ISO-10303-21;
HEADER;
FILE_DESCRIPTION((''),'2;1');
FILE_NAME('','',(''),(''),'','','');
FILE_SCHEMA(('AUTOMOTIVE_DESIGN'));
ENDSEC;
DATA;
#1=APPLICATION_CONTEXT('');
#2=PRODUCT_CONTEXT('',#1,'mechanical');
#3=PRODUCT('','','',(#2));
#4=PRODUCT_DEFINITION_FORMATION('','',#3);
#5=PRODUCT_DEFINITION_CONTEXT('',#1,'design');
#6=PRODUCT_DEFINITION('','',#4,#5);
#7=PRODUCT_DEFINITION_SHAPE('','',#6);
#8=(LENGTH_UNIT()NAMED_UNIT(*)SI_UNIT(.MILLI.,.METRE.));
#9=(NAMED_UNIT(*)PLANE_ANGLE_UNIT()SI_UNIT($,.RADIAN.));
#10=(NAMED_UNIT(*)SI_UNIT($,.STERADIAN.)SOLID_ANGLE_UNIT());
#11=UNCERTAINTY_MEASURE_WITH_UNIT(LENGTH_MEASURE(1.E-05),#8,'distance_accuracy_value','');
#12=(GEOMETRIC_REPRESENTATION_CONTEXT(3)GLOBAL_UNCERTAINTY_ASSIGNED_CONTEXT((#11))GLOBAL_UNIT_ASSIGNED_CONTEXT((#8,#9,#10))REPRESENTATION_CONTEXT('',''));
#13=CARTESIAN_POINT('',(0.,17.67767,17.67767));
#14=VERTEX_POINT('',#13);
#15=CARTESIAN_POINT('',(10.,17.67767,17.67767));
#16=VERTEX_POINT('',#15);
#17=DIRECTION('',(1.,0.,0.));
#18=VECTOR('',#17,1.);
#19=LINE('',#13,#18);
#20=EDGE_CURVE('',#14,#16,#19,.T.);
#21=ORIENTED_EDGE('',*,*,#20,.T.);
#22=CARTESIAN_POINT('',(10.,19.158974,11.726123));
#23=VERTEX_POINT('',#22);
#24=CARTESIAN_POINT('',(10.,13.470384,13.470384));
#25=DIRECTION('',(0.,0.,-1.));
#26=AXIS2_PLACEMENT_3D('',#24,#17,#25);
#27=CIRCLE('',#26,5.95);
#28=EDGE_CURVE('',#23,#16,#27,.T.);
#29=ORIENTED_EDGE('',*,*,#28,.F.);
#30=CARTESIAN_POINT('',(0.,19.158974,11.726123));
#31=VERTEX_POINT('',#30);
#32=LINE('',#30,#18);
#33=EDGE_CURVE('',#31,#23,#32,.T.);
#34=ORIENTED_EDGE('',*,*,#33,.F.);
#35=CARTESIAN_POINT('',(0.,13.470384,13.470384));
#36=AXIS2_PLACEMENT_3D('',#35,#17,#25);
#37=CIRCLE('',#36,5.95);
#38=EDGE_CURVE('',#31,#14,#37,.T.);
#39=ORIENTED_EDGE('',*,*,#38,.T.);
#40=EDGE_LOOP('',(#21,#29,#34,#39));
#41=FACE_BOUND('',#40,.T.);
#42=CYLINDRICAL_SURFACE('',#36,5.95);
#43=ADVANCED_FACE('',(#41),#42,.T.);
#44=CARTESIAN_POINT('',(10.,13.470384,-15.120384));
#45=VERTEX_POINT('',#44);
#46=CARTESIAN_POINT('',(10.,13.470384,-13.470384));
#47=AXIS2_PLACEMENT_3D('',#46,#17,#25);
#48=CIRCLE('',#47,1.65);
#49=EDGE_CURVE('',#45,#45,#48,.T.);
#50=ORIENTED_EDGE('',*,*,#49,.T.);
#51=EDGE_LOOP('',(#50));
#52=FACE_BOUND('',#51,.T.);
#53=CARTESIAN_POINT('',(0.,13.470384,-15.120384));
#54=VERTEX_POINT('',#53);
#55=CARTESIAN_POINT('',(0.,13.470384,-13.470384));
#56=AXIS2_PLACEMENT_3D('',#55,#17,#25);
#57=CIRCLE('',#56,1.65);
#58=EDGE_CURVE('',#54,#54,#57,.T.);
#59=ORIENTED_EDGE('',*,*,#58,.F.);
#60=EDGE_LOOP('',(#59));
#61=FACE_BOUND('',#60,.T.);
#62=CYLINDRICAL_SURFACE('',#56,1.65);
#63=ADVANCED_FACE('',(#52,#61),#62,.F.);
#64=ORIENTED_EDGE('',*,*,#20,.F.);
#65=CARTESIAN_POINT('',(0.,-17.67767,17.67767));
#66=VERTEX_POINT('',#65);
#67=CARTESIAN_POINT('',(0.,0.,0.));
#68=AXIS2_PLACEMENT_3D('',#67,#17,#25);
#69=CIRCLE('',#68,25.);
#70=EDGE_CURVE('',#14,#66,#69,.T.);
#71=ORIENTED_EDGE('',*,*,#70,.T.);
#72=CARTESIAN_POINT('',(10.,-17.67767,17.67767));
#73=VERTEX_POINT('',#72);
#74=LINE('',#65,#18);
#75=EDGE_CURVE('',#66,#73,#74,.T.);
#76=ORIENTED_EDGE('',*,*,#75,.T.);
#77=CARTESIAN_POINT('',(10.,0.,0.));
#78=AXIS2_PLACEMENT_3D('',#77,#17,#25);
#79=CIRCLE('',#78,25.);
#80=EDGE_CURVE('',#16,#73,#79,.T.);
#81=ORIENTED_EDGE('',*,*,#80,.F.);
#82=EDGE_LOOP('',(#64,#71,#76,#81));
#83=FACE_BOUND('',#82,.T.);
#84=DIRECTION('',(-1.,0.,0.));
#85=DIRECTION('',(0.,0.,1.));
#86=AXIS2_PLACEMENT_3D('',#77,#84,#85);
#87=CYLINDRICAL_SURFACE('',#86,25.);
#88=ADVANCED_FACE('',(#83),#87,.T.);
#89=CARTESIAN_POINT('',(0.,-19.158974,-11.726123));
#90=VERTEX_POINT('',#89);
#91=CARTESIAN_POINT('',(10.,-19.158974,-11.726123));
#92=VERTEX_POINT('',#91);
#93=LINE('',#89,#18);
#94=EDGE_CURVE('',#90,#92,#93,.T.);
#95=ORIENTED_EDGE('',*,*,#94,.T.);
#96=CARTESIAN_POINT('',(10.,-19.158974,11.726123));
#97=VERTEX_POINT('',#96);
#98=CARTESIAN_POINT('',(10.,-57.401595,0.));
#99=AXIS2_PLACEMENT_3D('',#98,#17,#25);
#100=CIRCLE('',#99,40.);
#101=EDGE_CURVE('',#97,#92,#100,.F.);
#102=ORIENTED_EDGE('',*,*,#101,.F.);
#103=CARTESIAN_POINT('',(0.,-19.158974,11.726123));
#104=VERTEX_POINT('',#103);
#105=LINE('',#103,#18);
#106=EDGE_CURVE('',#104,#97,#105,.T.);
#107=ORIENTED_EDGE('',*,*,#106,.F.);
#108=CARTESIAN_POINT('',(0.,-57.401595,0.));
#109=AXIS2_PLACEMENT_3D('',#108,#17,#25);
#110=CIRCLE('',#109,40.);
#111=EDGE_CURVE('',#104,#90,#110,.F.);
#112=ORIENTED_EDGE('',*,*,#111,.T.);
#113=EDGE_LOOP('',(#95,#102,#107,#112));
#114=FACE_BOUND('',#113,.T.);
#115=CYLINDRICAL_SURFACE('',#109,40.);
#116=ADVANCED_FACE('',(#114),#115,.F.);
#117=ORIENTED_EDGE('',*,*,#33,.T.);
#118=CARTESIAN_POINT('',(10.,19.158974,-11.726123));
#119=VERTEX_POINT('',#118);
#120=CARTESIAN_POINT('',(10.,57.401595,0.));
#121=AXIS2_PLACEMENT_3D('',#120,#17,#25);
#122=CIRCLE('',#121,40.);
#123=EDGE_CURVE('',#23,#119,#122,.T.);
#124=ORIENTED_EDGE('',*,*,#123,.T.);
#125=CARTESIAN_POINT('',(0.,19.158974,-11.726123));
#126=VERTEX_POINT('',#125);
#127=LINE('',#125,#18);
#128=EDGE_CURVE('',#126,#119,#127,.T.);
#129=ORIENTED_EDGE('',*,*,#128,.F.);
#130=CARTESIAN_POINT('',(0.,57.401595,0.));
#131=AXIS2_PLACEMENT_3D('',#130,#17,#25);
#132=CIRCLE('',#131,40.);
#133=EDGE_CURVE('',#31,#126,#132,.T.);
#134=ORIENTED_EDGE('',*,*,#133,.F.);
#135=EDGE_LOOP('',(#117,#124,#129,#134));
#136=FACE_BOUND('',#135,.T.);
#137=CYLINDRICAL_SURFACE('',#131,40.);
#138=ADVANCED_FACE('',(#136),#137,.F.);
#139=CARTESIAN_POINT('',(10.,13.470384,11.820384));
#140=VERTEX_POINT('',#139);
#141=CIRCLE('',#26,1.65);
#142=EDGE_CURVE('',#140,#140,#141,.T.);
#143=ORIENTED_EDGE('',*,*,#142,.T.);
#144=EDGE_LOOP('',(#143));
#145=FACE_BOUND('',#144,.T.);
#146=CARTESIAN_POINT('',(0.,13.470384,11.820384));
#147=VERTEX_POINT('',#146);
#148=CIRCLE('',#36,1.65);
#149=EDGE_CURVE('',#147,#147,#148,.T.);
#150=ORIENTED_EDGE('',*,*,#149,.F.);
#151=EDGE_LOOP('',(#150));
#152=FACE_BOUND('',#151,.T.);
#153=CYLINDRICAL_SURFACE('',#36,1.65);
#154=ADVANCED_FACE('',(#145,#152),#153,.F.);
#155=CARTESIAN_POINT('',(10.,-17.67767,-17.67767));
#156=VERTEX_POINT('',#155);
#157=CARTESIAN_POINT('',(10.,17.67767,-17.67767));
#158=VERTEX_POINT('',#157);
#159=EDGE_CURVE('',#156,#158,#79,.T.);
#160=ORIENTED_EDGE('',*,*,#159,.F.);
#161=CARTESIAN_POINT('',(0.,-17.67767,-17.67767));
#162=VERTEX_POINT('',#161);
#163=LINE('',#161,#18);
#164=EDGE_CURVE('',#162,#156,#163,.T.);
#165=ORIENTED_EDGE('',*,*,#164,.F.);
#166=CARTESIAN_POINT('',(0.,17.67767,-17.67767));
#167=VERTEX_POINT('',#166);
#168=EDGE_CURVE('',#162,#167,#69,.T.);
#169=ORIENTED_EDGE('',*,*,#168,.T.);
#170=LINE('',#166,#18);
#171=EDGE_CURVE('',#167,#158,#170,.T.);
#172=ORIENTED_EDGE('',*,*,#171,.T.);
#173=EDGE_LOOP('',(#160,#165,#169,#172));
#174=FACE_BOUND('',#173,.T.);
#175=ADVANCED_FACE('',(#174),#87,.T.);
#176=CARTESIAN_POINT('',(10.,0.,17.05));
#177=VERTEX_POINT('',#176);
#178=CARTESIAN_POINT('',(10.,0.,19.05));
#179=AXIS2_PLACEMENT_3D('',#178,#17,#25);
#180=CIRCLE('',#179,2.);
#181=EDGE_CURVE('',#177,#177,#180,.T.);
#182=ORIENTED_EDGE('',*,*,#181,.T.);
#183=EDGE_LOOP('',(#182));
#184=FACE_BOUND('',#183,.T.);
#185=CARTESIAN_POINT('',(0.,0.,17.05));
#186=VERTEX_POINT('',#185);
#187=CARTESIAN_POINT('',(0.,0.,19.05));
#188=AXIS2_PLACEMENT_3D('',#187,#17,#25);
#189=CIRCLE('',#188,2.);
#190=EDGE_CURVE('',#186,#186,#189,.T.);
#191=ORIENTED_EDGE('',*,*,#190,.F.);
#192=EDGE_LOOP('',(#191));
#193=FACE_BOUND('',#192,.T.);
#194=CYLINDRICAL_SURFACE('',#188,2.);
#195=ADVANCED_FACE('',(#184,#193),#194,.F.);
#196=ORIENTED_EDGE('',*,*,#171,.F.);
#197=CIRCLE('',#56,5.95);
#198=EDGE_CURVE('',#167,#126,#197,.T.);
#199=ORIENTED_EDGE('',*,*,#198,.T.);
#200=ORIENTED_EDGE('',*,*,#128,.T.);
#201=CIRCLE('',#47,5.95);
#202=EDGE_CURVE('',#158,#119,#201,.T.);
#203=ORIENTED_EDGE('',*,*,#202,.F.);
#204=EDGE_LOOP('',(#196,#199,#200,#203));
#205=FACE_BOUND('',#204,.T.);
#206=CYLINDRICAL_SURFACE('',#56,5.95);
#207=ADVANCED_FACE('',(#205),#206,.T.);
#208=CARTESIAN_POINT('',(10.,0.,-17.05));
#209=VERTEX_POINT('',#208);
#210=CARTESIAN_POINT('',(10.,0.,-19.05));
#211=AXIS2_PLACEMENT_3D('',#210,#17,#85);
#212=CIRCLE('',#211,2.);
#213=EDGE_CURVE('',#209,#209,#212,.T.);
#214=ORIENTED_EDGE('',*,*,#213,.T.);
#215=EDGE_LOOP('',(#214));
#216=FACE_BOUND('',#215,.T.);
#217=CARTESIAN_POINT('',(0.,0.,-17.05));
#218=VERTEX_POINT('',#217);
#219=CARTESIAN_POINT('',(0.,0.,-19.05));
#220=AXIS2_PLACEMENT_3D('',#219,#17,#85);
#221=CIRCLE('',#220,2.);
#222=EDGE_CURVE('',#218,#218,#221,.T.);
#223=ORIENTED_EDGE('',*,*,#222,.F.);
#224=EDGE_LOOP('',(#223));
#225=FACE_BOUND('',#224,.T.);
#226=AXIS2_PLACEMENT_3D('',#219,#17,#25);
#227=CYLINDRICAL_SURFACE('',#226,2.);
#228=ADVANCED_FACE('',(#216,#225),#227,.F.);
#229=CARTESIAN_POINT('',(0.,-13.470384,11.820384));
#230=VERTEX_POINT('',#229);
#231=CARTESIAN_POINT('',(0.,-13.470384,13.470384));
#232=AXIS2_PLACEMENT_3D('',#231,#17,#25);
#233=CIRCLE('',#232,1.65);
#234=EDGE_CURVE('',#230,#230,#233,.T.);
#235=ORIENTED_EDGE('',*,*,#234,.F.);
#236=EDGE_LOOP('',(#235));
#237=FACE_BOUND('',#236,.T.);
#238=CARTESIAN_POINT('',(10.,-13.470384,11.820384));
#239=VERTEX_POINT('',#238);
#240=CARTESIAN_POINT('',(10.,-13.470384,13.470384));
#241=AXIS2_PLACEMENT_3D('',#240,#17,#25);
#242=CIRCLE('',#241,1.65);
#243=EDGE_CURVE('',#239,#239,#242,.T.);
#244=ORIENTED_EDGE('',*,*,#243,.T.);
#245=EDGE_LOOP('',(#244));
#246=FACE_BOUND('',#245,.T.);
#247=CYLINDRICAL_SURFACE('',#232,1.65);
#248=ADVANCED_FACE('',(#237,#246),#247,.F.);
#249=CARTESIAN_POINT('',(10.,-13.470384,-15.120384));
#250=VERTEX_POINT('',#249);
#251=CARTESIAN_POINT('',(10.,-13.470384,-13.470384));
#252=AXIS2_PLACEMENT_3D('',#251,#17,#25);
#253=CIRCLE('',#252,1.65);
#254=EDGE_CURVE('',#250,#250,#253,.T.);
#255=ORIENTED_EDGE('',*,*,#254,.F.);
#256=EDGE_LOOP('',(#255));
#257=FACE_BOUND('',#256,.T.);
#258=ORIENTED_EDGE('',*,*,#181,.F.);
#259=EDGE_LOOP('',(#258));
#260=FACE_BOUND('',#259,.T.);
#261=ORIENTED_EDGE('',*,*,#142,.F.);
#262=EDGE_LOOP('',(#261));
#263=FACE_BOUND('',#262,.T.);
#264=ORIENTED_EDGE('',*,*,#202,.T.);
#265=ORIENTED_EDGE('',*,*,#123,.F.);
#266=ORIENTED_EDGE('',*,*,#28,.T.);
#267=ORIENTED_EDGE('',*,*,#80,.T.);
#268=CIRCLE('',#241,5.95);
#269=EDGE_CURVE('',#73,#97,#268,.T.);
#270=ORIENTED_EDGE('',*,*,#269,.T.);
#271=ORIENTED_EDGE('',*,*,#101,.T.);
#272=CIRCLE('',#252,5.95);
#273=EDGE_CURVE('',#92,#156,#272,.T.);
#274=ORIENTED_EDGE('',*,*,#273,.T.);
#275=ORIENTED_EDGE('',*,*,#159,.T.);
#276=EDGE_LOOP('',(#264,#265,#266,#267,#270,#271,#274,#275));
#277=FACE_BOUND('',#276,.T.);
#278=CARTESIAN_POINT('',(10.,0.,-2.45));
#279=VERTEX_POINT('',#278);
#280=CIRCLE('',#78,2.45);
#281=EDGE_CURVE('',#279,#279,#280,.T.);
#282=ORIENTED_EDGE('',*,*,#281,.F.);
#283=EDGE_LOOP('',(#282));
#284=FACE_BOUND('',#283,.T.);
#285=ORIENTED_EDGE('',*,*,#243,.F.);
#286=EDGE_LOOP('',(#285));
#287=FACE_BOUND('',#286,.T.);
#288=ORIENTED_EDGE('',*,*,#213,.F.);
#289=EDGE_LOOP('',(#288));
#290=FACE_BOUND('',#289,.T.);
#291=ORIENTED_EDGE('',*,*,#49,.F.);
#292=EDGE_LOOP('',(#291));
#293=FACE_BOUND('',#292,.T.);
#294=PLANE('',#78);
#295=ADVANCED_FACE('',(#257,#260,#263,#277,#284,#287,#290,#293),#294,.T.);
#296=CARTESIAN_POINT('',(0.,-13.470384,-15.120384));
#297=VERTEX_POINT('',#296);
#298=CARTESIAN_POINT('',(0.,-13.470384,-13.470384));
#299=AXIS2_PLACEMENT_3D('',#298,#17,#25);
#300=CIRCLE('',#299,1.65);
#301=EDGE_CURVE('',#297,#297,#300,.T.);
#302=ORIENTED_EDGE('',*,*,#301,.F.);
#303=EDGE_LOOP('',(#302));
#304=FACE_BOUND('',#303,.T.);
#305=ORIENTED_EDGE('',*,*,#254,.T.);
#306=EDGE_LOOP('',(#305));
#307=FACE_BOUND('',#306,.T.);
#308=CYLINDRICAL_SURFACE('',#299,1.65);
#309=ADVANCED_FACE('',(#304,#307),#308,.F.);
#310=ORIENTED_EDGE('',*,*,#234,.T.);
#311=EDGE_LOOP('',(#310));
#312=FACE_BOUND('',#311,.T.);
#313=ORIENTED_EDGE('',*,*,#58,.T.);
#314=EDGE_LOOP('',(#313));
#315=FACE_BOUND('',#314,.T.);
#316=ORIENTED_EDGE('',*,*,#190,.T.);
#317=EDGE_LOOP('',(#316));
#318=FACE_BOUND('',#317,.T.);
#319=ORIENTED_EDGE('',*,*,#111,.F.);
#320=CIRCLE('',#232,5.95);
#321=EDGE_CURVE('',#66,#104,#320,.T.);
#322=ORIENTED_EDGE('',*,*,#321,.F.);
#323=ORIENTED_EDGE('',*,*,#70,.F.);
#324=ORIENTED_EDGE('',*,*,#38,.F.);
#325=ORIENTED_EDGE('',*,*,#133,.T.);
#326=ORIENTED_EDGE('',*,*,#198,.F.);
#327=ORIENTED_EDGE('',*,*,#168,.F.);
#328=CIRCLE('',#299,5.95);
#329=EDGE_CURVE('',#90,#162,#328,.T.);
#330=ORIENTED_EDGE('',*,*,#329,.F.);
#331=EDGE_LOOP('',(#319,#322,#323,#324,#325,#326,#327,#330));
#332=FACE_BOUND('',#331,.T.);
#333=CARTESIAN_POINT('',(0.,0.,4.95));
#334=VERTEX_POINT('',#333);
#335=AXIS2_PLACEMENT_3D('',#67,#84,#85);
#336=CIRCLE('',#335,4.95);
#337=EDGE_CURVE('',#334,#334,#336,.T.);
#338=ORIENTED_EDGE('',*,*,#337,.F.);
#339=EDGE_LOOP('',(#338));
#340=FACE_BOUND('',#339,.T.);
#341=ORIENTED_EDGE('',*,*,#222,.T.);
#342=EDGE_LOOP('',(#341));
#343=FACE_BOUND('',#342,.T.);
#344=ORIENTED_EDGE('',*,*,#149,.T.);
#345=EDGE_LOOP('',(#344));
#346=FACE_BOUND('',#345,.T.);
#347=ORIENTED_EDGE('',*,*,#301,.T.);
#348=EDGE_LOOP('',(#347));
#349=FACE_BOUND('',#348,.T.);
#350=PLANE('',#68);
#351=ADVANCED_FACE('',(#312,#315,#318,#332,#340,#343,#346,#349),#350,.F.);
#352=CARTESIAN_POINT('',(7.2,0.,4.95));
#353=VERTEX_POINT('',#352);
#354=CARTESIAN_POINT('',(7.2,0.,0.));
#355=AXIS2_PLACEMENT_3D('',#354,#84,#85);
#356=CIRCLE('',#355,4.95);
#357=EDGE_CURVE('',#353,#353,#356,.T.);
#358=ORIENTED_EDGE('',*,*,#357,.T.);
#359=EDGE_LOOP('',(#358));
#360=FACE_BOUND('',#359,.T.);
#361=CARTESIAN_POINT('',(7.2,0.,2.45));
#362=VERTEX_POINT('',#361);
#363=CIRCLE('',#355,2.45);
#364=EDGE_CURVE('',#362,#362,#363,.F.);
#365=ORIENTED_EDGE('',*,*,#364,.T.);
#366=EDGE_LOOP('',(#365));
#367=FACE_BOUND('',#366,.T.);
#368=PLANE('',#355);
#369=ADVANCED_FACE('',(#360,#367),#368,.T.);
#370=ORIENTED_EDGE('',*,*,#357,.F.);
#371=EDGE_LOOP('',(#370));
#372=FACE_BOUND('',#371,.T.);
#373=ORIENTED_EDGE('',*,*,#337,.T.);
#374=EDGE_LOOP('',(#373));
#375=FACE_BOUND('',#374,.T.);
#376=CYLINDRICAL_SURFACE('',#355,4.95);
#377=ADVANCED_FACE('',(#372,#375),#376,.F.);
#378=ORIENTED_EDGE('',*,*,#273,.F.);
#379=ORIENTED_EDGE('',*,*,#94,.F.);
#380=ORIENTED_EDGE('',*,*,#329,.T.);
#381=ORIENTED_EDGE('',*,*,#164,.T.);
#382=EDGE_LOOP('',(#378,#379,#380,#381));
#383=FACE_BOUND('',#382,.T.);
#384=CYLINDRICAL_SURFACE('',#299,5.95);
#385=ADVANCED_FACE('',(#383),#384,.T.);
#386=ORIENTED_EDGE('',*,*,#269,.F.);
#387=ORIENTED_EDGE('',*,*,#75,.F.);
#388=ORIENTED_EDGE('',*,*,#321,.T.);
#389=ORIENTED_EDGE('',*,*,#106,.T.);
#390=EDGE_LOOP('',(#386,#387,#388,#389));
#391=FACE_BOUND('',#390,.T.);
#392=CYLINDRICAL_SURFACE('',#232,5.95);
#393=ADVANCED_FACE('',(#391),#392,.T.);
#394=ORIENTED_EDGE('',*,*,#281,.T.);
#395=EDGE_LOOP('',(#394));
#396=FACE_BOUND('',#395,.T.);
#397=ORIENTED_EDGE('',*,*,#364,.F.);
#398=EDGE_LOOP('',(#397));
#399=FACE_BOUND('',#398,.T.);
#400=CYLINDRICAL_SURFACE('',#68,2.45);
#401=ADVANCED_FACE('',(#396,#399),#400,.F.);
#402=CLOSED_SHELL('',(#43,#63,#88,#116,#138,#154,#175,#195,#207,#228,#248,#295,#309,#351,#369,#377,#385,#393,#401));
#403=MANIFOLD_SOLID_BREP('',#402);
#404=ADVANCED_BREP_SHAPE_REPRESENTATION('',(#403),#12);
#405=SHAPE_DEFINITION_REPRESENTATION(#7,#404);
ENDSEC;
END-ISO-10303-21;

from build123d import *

# Parameters (mm, degrees)
SKETCH_1_R          = 25
EXTRUDE_1_DEPTH     = 10
SKETCH_3_R          = 2.45
CUT_EXTRUDE_1_DEPTH = 37.742346142
SKETCH_5_R          = 4.95
CUT_EXTRUDE_2_DEPTH = 7.2
SKETCH_6_R          = 2
CUT_EXTRUDE_3_DEPTH = 37.742346142
SKETCH_7_R          = 1.65
CUT_EXTRUDE_4_DEPTH = 37.742346142
CUT_EXTRUDE_5_DEPTH = 37.742346142


with BuildPart() as part:
    # ｽｹｯﾁ1 → ﾎﾞｽ - 押し出し1 (new body)
    with BuildSketch(Plane(origin=(0, 0, 0), x_dir=(0, 0, -1), z_dir=(1, 0, 0))):
        Circle(SKETCH_1_R)
    extrude(amount=EXTRUDE_1_DEPTH)

    # ｽｹｯﾁ3 → ｶｯﾄ - 押し出し1 (cut, through all)
    with BuildSketch(Plane(origin=(10, 0, 0), x_dir=(0, 0, -1), z_dir=(1, 0, 0))):
        Circle(SKETCH_3_R)
    extrude(amount=-CUT_EXTRUDE_1_DEPTH, mode=Mode.SUBTRACT)

    # ｽｹｯﾁ5 → ｶｯﾄ - 押し出し2 (cut)
    with BuildSketch(Plane.ZY):
        Circle(SKETCH_5_R)
    extrude(amount=-CUT_EXTRUDE_2_DEPTH, mode=Mode.SUBTRACT)

    # ｽｹｯﾁ6 → ｶｯﾄ - 押し出し3 (cut, through all)
    with BuildSketch(Plane(origin=(10, 0, 0), x_dir=(0, 0, -1), z_dir=(1, 0, 0))):
        with Locations((-19.05, 0)):
            Circle(SKETCH_6_R)
        with Locations(Location((19.05, 0, 0), (0, 0, 180))):
            Circle(SKETCH_6_R)
    extrude(amount=-CUT_EXTRUDE_3_DEPTH, mode=Mode.SUBTRACT)

    # ｽｹｯﾁ7 → ｶｯﾄ - 押し出し4 (cut, through all)
    with BuildSketch(Plane(origin=(10, 0, 0), x_dir=(0, 0, -1), z_dir=(1, 0, 0))):
        with Locations((13.470384182, 13.470384182)):
            Circle(SKETCH_7_R)
        with Locations((13.470384182, -13.470384182)):
            Circle(SKETCH_7_R)
        with Locations((-13.470384182, -13.470384182)):
            Circle(SKETCH_7_R)
        with Locations((-13.470384182, 13.470384182)):
            Circle(SKETCH_7_R)
    extrude(amount=-CUT_EXTRUDE_4_DEPTH, mode=Mode.SUBTRACT)

    # ｽｹｯﾁ8 → ｶｯﾄ - 押し出し5 (cut, through all)
    with BuildSketch(Plane(origin=(10, 0, 0), x_dir=(0, 0, -1), z_dir=(1, 0, 0))):
        with BuildLine():
            ThreePointArc((-17.67766953, 17.67766953), (-14.907460792, 19.244231323), (-11.726124041, 19.158974214))
            ThreePointArc((-11.726124041, 19.158974214), (-3.5e-08, 17.401594613), (11.726123974, 19.158974194))
            ThreePointArc((11.726123974, 19.158974194), (14.907460759, 19.244231332), (17.67766953, 17.67766953))
            ThreePointArc((17.67766953, 17.67766953), (0, 25), (-17.67766953, 17.67766953))
        make_face()
        with BuildLine():
            ThreePointArc((-11.726124073, -19.158974224), (-14.90746082, -19.244231316), (-17.677669546, -17.677669513))
            ThreePointArc((-17.677669546, -17.677669513), (-4.3e-08, -25), (17.677669486, -17.677669573))
            ThreePointArc((17.677669486, -17.677669573), (14.9074607, -19.244231346), (11.726123917, -19.158974177))
            ThreePointArc((11.726123917, -19.158974177), (-8.1e-08, -17.401594613), (-11.726124073, -19.158974224))
        make_face()
    extrude(amount=-CUT_EXTRUDE_5_DEPTH, mode=Mode.SUBTRACT)


solid = part.part
